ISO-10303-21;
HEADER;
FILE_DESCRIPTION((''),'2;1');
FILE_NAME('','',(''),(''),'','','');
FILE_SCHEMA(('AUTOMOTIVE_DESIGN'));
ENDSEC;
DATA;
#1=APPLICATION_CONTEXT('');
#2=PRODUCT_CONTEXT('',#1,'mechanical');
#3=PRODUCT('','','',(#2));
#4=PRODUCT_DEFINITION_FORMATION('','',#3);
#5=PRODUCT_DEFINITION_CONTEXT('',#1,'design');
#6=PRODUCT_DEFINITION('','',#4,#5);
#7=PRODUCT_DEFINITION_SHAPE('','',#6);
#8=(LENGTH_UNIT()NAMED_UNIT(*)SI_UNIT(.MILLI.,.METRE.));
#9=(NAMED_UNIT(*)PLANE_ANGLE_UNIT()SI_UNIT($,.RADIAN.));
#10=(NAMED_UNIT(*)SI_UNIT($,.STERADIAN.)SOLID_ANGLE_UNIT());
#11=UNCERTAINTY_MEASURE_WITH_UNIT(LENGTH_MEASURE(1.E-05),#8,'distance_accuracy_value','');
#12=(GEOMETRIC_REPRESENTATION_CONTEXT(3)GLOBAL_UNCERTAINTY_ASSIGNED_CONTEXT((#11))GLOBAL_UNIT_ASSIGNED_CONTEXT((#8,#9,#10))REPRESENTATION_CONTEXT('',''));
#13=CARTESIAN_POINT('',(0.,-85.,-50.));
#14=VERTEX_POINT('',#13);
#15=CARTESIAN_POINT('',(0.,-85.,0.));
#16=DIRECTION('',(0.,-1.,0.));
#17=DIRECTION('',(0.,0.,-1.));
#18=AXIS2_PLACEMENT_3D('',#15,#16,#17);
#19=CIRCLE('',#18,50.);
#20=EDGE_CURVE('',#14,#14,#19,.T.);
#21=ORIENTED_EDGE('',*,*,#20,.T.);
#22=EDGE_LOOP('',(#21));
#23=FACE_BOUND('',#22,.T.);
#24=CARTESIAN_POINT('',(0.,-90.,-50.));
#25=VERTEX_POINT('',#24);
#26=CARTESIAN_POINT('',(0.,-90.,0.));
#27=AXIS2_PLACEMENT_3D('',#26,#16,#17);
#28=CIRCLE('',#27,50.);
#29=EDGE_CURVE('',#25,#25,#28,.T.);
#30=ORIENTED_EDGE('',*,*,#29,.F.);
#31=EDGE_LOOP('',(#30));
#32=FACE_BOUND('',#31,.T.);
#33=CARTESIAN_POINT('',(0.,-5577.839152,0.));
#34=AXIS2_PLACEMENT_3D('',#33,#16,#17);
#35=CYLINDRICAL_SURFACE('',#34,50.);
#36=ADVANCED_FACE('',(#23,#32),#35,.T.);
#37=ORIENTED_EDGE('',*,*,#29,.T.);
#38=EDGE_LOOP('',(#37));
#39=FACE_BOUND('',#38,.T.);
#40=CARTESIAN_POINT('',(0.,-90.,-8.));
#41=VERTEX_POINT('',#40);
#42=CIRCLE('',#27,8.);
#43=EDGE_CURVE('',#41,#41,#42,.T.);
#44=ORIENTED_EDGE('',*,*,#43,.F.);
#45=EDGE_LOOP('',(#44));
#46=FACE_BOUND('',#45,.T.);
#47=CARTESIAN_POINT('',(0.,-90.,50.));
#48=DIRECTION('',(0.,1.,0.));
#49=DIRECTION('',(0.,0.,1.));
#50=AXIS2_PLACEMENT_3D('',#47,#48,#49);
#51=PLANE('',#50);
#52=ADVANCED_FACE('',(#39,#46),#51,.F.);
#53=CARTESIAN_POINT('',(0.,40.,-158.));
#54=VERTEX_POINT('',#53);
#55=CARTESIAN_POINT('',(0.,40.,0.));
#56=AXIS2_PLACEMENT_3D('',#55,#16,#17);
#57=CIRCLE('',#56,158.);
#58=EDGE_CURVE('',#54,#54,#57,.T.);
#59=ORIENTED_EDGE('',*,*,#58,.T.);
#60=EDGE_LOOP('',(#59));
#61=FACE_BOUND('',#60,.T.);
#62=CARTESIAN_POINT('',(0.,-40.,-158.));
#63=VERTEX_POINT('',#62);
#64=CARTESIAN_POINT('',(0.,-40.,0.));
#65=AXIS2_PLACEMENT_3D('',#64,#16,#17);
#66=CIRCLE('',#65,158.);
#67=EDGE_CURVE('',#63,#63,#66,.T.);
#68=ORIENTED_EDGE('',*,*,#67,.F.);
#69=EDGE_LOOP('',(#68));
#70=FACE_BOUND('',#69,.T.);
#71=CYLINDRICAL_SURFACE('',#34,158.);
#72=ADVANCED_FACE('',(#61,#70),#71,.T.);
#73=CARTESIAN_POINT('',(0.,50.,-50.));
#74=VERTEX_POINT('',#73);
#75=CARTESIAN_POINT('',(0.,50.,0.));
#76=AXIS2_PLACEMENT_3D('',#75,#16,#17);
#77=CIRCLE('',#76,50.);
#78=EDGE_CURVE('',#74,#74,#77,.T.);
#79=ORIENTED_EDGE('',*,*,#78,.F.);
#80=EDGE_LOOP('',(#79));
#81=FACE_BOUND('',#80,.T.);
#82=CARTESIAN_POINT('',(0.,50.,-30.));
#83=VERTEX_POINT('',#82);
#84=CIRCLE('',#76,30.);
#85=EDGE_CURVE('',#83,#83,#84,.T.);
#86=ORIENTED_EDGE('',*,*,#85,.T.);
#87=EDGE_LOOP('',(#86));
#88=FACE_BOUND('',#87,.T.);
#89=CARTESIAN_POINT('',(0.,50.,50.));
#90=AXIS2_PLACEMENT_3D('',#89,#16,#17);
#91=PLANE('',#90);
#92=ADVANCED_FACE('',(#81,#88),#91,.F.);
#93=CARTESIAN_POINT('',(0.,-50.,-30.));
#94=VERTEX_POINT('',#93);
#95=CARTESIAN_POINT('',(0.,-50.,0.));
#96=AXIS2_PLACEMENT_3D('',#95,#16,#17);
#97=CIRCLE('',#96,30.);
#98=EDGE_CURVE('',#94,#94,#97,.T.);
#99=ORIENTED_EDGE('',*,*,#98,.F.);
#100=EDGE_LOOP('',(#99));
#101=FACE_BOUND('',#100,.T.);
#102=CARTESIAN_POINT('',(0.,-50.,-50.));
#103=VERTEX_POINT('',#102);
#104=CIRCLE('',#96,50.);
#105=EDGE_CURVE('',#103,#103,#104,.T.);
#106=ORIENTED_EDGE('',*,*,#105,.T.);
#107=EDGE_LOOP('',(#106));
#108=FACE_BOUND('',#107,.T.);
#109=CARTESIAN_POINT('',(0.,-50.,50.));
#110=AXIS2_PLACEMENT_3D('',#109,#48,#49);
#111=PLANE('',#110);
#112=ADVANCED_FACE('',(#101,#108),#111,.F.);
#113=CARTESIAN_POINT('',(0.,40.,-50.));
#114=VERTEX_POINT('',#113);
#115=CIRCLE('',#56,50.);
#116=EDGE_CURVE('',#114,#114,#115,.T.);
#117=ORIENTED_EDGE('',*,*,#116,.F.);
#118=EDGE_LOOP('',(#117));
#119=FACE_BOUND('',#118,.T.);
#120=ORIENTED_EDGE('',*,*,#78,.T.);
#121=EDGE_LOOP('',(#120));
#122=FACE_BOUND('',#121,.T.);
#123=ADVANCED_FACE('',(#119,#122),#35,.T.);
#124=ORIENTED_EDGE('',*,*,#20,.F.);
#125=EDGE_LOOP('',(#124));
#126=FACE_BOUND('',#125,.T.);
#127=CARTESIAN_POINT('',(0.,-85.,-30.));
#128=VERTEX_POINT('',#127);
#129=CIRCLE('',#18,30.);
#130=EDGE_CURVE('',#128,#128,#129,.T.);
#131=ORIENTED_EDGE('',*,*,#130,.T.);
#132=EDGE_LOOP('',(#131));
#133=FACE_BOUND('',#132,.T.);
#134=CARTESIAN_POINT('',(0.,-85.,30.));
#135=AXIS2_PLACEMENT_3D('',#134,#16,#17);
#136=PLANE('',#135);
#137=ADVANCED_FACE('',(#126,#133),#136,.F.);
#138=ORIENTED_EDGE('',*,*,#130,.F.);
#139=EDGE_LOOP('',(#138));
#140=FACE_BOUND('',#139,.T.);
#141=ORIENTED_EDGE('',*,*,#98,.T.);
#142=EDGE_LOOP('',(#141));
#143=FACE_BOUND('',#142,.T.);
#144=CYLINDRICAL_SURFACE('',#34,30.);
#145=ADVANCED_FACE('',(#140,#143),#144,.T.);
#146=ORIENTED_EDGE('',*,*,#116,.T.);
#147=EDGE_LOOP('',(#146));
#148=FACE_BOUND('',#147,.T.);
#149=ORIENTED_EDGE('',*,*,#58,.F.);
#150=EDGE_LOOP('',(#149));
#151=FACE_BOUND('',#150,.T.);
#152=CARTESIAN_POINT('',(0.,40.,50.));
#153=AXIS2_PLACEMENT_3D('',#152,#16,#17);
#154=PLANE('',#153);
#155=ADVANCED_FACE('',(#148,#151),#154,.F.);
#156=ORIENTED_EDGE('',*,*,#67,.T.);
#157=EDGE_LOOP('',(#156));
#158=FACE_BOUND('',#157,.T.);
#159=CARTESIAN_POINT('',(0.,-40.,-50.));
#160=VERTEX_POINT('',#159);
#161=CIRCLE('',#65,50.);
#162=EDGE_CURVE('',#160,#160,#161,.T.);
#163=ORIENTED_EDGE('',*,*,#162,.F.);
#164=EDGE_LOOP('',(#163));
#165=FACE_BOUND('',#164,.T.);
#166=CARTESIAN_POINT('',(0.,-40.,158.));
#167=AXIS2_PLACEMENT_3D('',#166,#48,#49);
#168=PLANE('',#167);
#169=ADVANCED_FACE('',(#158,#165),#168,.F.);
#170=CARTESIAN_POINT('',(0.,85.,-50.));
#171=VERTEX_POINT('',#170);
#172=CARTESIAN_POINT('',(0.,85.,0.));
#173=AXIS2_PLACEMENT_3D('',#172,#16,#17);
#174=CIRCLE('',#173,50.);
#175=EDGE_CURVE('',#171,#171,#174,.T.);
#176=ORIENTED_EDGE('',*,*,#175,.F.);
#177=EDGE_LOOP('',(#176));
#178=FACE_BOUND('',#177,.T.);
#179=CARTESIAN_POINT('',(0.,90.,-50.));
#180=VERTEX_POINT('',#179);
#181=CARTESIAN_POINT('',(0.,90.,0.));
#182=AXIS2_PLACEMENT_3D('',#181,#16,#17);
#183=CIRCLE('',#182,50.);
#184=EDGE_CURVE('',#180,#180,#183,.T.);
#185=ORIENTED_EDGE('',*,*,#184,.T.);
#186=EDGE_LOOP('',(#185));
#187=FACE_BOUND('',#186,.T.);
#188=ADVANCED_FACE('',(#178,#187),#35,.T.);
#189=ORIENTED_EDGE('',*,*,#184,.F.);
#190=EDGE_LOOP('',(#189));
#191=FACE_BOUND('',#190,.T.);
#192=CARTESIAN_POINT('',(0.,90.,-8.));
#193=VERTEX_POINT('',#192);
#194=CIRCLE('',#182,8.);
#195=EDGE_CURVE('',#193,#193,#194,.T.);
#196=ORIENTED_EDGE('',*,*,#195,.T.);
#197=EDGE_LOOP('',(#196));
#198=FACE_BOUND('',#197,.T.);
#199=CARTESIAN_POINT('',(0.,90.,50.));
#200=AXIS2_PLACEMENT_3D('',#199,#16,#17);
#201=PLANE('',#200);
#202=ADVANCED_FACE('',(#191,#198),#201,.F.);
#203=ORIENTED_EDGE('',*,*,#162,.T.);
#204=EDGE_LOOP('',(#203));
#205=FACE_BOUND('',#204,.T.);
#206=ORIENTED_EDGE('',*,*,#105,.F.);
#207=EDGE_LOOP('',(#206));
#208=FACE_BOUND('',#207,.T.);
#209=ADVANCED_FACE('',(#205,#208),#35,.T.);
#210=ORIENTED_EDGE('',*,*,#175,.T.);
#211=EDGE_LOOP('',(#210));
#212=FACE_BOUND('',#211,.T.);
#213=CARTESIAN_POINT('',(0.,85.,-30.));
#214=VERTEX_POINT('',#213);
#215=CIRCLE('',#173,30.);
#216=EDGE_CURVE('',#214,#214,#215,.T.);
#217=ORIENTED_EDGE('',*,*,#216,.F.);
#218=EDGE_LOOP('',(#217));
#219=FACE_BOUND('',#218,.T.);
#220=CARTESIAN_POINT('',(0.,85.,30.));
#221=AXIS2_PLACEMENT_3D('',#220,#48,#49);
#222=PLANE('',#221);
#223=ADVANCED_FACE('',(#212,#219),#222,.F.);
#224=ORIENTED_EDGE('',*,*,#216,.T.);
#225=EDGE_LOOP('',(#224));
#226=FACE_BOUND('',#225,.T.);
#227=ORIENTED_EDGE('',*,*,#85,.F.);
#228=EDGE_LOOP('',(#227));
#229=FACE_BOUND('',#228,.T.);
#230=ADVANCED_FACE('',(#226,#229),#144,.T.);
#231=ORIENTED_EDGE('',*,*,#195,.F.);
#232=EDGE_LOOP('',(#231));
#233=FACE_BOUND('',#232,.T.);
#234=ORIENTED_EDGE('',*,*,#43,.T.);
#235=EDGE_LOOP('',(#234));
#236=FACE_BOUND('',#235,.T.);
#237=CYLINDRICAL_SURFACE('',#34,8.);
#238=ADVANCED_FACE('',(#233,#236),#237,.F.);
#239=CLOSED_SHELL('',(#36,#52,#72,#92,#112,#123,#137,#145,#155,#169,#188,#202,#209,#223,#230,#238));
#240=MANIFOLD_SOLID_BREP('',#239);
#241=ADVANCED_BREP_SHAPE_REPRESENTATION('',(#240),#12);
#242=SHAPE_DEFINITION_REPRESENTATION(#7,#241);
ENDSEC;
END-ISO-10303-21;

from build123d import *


with BuildPart() as part:
    # Sketch1 → Revolve1 (revolve)
    with BuildSketch(Plane(origin=(0, 0, 0), x_dir=(0, 0, -1), z_dir=(1, 0, 0)), mode=Mode.PRIVATE) as revolve1_sk:
        Polygon((-50, 40), (-158, 40), (-158, -40), (-50, -40), (-50, -50), (-30, -50), (-30, -85), (-50, -85), (-50, -90), (-8, -90), (-8, 90), (-50, 90), (-50, 85), (-30, 85), (-30, 50), (-50, 50), align=None)
    revolve(revolve1_sk.sketch.rotate(Axis((0, -5577.839151729, 0), (0, 1, 0)), 180), axis=Axis((0, -5577.839151729, 0), (0, 1, 0)))


solid = part.part
